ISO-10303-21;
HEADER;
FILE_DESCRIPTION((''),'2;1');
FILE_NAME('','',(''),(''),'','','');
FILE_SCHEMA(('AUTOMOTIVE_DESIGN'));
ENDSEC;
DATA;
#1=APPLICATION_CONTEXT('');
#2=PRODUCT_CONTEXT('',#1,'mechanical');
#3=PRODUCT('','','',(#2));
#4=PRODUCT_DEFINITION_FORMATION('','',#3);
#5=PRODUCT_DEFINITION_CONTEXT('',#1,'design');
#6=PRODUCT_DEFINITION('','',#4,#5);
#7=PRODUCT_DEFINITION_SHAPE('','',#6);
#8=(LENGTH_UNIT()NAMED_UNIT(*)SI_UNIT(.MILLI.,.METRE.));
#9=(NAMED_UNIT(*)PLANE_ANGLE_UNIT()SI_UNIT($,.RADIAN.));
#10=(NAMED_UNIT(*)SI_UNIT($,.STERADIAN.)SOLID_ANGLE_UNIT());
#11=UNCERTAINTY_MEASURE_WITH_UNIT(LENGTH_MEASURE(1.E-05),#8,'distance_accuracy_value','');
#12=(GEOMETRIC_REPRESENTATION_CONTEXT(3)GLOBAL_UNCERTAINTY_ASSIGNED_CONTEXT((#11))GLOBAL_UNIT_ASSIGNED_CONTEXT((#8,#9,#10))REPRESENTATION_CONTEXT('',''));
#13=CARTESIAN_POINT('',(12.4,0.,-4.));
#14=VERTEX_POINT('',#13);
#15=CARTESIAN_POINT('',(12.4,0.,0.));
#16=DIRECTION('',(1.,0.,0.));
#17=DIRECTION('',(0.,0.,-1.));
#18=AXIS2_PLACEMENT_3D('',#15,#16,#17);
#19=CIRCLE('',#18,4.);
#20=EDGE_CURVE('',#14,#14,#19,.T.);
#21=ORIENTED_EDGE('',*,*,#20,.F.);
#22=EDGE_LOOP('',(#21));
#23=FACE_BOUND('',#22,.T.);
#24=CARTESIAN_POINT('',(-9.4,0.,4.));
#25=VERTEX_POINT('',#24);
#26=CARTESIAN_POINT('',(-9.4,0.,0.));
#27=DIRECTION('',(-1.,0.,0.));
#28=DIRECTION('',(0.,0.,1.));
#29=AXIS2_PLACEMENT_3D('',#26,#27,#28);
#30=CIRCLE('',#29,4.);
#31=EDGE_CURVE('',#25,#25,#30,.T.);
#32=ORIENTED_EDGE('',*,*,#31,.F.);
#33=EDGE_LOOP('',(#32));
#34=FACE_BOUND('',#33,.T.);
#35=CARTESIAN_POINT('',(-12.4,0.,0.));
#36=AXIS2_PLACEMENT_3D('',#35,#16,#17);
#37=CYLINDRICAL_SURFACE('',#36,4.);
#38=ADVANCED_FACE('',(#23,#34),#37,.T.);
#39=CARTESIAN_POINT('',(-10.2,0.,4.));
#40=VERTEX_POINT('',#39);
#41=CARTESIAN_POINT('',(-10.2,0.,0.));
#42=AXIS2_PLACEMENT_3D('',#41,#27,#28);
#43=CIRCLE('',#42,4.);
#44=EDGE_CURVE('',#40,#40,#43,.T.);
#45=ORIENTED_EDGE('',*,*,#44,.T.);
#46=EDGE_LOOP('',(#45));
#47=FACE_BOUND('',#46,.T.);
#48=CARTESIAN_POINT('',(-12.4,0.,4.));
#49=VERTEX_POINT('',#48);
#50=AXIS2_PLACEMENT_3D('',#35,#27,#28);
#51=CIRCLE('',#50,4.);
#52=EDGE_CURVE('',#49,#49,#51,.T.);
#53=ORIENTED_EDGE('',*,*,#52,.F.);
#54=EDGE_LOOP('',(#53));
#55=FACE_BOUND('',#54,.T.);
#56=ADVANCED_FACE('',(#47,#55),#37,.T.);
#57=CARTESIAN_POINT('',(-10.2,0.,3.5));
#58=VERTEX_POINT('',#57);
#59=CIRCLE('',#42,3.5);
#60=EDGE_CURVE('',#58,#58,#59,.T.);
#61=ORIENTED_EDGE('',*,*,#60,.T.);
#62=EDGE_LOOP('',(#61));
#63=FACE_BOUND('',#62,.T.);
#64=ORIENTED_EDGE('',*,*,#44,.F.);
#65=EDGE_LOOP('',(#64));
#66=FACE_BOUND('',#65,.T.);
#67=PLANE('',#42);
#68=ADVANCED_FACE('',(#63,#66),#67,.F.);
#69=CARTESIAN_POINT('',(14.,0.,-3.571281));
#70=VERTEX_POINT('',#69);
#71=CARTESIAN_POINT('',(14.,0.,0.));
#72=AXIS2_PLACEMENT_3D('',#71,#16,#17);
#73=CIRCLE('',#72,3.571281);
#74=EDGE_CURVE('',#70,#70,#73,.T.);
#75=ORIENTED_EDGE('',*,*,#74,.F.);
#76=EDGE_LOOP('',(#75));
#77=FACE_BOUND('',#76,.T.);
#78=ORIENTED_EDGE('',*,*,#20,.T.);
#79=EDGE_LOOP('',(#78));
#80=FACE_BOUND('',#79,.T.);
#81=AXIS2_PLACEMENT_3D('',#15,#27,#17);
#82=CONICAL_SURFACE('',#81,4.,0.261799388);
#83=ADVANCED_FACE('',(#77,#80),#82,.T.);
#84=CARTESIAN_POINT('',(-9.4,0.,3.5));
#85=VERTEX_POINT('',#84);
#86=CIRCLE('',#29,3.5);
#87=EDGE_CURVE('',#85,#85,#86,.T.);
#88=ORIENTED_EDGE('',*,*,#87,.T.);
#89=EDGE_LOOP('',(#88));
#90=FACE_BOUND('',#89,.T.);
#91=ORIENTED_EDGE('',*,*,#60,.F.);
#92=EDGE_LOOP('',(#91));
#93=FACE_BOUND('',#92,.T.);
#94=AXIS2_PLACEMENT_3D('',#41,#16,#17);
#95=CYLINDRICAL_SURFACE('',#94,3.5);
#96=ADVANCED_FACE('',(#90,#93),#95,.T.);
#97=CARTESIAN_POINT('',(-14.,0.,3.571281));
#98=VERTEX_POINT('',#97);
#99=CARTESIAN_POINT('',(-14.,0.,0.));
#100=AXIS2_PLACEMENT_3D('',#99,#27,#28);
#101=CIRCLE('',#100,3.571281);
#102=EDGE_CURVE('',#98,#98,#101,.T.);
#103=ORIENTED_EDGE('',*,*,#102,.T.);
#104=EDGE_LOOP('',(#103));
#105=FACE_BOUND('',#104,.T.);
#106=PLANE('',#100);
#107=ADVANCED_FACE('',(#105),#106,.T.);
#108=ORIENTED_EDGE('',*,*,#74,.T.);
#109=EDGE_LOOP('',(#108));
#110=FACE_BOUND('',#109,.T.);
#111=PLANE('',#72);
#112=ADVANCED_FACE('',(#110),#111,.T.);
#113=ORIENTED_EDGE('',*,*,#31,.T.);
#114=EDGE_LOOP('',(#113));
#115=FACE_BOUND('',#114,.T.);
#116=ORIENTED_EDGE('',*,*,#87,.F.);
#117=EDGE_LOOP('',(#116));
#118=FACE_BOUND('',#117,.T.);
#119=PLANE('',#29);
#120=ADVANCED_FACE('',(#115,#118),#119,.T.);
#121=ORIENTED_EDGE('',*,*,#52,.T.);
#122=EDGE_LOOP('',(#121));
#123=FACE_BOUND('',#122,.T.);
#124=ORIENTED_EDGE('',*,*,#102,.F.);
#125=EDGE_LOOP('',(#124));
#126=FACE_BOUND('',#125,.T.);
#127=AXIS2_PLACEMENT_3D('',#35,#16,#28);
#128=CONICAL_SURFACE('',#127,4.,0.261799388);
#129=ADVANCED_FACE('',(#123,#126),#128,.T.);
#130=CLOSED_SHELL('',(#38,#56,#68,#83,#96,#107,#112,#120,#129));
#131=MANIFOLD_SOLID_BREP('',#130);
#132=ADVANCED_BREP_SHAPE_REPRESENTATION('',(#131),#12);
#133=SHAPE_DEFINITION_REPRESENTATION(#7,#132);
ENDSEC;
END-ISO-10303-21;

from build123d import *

# Parameters (mm, degrees)
SKETCH2_R           = 4
EXTRUDE1_DEPTH      = 12.4
EXTRUDE1_DEPTH_BACK = 12.4
SKETCH3_R           = 4
EXTRUDE2_DEPTH      = 1.6
EXTRUDE2_TAPER      = 15
SKETCH4_R           = 4
EXTRUDE3_DEPTH      = 1.6
EXTRUDE3_TAPER      = 15
SKETCH5_R           = 4
SKETCH5_R_2         = 3.5
CUT_EXTRUDE1_DEPTH  = 0.8


with BuildPart() as part:
    # Sketch2 → Extrude1 (new body, two sides)
    with BuildSketch(Plane(origin=(0, 0, 0), x_dir=(0, 0, -1), z_dir=(1, 0, 0))) as extrude1_sk:
        Circle(SKETCH2_R)
    extrude(amount=EXTRUDE1_DEPTH)
    extrude(extrude1_sk.sketch, amount=-EXTRUDE1_DEPTH_BACK)

    # Sketch3 → Extrude2 (add)
    with BuildSketch(Plane(origin=(12.4, 0, 0), x_dir=(0, 0, -1), z_dir=(1, 0, 0))):
        Circle(SKETCH3_R)
    extrude(amount=EXTRUDE2_DEPTH, taper=EXTRUDE2_TAPER)

    # Sketch4 → Extrude3 (add)
    with BuildSketch(Plane.ZY.offset(12.4)):
        Circle(SKETCH4_R)
    extrude(amount=EXTRUDE3_DEPTH, taper=EXTRUDE3_TAPER)

    # Sketch5 → Cut-Extrude1 (cut)
    with BuildSketch(Plane.ZY.offset(9.40000006)):
        Circle(SKETCH5_R)
        Circle(SKETCH5_R_2, mode=Mode.SUBTRACT)
    extrude(amount=CUT_EXTRUDE1_DEPTH, mode=Mode.SUBTRACT)


solid = part.part
